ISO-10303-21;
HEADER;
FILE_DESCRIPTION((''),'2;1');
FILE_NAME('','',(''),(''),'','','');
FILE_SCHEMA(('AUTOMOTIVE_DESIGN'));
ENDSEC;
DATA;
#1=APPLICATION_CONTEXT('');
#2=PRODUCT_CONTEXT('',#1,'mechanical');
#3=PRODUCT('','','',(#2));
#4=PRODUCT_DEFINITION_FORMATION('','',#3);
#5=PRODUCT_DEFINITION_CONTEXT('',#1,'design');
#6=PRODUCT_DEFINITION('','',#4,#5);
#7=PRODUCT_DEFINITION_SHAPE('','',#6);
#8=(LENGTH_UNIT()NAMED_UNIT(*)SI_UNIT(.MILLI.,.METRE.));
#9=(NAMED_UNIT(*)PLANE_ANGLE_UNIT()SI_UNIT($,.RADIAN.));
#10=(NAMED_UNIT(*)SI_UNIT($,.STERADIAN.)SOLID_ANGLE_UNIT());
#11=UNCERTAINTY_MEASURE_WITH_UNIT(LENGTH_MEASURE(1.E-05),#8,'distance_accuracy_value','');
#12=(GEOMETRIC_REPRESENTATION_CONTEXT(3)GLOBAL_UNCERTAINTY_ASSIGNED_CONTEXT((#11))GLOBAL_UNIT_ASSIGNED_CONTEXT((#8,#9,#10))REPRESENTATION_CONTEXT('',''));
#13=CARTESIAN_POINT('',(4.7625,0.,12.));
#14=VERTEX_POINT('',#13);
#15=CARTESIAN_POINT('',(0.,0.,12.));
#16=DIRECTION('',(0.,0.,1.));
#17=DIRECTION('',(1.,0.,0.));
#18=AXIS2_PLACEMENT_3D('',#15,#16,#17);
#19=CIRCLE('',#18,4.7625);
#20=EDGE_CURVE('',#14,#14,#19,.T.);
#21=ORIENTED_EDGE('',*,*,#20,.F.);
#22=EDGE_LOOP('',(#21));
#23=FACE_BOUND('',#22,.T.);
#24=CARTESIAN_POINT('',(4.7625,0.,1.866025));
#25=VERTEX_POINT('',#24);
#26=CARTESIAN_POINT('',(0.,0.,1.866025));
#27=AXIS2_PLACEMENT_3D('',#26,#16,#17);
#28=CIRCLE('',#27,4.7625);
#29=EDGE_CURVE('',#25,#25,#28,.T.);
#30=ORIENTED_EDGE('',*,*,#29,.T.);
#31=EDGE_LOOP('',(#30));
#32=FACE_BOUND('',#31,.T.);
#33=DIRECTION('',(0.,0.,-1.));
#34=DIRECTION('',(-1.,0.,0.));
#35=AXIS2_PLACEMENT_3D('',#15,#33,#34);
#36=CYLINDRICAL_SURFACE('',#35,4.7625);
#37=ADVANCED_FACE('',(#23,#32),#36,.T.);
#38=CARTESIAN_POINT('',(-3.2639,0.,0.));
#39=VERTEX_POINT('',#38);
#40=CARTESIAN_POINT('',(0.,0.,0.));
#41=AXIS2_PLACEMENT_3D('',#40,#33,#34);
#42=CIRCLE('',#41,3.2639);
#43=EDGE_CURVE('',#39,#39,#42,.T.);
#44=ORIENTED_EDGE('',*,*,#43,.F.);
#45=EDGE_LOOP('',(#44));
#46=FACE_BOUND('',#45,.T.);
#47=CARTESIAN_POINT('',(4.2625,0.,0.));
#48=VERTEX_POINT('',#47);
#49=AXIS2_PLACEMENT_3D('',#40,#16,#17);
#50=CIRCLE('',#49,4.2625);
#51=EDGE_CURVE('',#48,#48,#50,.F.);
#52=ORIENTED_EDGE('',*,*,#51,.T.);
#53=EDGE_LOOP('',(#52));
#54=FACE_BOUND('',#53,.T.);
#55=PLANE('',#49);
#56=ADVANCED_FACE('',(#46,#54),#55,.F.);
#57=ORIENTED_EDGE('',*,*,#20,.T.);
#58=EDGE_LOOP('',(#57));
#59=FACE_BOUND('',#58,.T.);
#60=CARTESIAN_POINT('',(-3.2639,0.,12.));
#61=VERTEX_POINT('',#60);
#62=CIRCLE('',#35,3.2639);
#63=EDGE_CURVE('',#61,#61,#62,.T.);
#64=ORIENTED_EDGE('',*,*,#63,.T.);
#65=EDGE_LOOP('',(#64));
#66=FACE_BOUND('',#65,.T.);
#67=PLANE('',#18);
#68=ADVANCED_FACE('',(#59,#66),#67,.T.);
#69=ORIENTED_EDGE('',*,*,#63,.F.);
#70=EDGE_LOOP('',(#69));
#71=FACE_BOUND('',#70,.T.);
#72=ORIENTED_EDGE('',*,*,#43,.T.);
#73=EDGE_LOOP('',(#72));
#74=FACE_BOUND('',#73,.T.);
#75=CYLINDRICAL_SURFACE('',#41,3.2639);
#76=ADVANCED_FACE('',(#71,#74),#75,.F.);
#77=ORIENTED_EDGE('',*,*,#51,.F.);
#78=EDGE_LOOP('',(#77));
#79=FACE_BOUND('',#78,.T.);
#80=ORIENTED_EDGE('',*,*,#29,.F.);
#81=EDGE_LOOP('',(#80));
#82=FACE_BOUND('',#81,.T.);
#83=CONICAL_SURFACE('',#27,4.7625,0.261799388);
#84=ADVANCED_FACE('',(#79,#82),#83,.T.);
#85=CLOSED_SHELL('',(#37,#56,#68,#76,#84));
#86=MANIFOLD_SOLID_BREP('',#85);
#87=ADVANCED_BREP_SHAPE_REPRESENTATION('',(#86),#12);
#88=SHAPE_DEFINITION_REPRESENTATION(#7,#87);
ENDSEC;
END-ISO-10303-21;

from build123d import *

# Parameters (mm, degrees)
ESBO_O1_R                                  = 4.7625
RESSALTO_EXTRUS_O1_DEPTH                   = 12
CHANFRO1_SIZE                              = 0.5
CHANFRO1_SIZE2                             = 1.866025404
BROCA_DE_ROSQUEAR_PARA_TARRAXA_DE_5_16_1_D = 6.5278


with BuildPart() as part:
    # Esboço1 → Ressalto-extrusão1 (new body)
    with BuildSketch(Plane.XY):
        Circle(ESBO_O1_R)
    extrude(amount=RESSALTO_EXTRUS_O1_DEPTH)

    # Chanfro1
    chanfro1_edges = [part.edges().sort_by_distance(p)[0] for p in [
        (-4.7625, 0, 0),
    ]]
    chanfro1_side = [part.faces().sort_by_distance(p)[0] for p in [
        (0, 0, 0),
    ]]
    chamfer(chanfro1_edges, length=CHANFRO1_SIZE, length2=CHANFRO1_SIZE2, reference=chanfro1_side[0])

    # Broca de rosquear para tarraxa de 5/16-181 (through all)
    with Locations(Plane(origin=(0, 0, 0), x_dir=(-1, 0, 0), z_dir=(0, 0, -1))):
        with Locations((0, 0)):
            Hole(BROCA_DE_ROSQUEAR_PARA_TARRAXA_DE_5_16_1_D / 2)


solid = part.part
